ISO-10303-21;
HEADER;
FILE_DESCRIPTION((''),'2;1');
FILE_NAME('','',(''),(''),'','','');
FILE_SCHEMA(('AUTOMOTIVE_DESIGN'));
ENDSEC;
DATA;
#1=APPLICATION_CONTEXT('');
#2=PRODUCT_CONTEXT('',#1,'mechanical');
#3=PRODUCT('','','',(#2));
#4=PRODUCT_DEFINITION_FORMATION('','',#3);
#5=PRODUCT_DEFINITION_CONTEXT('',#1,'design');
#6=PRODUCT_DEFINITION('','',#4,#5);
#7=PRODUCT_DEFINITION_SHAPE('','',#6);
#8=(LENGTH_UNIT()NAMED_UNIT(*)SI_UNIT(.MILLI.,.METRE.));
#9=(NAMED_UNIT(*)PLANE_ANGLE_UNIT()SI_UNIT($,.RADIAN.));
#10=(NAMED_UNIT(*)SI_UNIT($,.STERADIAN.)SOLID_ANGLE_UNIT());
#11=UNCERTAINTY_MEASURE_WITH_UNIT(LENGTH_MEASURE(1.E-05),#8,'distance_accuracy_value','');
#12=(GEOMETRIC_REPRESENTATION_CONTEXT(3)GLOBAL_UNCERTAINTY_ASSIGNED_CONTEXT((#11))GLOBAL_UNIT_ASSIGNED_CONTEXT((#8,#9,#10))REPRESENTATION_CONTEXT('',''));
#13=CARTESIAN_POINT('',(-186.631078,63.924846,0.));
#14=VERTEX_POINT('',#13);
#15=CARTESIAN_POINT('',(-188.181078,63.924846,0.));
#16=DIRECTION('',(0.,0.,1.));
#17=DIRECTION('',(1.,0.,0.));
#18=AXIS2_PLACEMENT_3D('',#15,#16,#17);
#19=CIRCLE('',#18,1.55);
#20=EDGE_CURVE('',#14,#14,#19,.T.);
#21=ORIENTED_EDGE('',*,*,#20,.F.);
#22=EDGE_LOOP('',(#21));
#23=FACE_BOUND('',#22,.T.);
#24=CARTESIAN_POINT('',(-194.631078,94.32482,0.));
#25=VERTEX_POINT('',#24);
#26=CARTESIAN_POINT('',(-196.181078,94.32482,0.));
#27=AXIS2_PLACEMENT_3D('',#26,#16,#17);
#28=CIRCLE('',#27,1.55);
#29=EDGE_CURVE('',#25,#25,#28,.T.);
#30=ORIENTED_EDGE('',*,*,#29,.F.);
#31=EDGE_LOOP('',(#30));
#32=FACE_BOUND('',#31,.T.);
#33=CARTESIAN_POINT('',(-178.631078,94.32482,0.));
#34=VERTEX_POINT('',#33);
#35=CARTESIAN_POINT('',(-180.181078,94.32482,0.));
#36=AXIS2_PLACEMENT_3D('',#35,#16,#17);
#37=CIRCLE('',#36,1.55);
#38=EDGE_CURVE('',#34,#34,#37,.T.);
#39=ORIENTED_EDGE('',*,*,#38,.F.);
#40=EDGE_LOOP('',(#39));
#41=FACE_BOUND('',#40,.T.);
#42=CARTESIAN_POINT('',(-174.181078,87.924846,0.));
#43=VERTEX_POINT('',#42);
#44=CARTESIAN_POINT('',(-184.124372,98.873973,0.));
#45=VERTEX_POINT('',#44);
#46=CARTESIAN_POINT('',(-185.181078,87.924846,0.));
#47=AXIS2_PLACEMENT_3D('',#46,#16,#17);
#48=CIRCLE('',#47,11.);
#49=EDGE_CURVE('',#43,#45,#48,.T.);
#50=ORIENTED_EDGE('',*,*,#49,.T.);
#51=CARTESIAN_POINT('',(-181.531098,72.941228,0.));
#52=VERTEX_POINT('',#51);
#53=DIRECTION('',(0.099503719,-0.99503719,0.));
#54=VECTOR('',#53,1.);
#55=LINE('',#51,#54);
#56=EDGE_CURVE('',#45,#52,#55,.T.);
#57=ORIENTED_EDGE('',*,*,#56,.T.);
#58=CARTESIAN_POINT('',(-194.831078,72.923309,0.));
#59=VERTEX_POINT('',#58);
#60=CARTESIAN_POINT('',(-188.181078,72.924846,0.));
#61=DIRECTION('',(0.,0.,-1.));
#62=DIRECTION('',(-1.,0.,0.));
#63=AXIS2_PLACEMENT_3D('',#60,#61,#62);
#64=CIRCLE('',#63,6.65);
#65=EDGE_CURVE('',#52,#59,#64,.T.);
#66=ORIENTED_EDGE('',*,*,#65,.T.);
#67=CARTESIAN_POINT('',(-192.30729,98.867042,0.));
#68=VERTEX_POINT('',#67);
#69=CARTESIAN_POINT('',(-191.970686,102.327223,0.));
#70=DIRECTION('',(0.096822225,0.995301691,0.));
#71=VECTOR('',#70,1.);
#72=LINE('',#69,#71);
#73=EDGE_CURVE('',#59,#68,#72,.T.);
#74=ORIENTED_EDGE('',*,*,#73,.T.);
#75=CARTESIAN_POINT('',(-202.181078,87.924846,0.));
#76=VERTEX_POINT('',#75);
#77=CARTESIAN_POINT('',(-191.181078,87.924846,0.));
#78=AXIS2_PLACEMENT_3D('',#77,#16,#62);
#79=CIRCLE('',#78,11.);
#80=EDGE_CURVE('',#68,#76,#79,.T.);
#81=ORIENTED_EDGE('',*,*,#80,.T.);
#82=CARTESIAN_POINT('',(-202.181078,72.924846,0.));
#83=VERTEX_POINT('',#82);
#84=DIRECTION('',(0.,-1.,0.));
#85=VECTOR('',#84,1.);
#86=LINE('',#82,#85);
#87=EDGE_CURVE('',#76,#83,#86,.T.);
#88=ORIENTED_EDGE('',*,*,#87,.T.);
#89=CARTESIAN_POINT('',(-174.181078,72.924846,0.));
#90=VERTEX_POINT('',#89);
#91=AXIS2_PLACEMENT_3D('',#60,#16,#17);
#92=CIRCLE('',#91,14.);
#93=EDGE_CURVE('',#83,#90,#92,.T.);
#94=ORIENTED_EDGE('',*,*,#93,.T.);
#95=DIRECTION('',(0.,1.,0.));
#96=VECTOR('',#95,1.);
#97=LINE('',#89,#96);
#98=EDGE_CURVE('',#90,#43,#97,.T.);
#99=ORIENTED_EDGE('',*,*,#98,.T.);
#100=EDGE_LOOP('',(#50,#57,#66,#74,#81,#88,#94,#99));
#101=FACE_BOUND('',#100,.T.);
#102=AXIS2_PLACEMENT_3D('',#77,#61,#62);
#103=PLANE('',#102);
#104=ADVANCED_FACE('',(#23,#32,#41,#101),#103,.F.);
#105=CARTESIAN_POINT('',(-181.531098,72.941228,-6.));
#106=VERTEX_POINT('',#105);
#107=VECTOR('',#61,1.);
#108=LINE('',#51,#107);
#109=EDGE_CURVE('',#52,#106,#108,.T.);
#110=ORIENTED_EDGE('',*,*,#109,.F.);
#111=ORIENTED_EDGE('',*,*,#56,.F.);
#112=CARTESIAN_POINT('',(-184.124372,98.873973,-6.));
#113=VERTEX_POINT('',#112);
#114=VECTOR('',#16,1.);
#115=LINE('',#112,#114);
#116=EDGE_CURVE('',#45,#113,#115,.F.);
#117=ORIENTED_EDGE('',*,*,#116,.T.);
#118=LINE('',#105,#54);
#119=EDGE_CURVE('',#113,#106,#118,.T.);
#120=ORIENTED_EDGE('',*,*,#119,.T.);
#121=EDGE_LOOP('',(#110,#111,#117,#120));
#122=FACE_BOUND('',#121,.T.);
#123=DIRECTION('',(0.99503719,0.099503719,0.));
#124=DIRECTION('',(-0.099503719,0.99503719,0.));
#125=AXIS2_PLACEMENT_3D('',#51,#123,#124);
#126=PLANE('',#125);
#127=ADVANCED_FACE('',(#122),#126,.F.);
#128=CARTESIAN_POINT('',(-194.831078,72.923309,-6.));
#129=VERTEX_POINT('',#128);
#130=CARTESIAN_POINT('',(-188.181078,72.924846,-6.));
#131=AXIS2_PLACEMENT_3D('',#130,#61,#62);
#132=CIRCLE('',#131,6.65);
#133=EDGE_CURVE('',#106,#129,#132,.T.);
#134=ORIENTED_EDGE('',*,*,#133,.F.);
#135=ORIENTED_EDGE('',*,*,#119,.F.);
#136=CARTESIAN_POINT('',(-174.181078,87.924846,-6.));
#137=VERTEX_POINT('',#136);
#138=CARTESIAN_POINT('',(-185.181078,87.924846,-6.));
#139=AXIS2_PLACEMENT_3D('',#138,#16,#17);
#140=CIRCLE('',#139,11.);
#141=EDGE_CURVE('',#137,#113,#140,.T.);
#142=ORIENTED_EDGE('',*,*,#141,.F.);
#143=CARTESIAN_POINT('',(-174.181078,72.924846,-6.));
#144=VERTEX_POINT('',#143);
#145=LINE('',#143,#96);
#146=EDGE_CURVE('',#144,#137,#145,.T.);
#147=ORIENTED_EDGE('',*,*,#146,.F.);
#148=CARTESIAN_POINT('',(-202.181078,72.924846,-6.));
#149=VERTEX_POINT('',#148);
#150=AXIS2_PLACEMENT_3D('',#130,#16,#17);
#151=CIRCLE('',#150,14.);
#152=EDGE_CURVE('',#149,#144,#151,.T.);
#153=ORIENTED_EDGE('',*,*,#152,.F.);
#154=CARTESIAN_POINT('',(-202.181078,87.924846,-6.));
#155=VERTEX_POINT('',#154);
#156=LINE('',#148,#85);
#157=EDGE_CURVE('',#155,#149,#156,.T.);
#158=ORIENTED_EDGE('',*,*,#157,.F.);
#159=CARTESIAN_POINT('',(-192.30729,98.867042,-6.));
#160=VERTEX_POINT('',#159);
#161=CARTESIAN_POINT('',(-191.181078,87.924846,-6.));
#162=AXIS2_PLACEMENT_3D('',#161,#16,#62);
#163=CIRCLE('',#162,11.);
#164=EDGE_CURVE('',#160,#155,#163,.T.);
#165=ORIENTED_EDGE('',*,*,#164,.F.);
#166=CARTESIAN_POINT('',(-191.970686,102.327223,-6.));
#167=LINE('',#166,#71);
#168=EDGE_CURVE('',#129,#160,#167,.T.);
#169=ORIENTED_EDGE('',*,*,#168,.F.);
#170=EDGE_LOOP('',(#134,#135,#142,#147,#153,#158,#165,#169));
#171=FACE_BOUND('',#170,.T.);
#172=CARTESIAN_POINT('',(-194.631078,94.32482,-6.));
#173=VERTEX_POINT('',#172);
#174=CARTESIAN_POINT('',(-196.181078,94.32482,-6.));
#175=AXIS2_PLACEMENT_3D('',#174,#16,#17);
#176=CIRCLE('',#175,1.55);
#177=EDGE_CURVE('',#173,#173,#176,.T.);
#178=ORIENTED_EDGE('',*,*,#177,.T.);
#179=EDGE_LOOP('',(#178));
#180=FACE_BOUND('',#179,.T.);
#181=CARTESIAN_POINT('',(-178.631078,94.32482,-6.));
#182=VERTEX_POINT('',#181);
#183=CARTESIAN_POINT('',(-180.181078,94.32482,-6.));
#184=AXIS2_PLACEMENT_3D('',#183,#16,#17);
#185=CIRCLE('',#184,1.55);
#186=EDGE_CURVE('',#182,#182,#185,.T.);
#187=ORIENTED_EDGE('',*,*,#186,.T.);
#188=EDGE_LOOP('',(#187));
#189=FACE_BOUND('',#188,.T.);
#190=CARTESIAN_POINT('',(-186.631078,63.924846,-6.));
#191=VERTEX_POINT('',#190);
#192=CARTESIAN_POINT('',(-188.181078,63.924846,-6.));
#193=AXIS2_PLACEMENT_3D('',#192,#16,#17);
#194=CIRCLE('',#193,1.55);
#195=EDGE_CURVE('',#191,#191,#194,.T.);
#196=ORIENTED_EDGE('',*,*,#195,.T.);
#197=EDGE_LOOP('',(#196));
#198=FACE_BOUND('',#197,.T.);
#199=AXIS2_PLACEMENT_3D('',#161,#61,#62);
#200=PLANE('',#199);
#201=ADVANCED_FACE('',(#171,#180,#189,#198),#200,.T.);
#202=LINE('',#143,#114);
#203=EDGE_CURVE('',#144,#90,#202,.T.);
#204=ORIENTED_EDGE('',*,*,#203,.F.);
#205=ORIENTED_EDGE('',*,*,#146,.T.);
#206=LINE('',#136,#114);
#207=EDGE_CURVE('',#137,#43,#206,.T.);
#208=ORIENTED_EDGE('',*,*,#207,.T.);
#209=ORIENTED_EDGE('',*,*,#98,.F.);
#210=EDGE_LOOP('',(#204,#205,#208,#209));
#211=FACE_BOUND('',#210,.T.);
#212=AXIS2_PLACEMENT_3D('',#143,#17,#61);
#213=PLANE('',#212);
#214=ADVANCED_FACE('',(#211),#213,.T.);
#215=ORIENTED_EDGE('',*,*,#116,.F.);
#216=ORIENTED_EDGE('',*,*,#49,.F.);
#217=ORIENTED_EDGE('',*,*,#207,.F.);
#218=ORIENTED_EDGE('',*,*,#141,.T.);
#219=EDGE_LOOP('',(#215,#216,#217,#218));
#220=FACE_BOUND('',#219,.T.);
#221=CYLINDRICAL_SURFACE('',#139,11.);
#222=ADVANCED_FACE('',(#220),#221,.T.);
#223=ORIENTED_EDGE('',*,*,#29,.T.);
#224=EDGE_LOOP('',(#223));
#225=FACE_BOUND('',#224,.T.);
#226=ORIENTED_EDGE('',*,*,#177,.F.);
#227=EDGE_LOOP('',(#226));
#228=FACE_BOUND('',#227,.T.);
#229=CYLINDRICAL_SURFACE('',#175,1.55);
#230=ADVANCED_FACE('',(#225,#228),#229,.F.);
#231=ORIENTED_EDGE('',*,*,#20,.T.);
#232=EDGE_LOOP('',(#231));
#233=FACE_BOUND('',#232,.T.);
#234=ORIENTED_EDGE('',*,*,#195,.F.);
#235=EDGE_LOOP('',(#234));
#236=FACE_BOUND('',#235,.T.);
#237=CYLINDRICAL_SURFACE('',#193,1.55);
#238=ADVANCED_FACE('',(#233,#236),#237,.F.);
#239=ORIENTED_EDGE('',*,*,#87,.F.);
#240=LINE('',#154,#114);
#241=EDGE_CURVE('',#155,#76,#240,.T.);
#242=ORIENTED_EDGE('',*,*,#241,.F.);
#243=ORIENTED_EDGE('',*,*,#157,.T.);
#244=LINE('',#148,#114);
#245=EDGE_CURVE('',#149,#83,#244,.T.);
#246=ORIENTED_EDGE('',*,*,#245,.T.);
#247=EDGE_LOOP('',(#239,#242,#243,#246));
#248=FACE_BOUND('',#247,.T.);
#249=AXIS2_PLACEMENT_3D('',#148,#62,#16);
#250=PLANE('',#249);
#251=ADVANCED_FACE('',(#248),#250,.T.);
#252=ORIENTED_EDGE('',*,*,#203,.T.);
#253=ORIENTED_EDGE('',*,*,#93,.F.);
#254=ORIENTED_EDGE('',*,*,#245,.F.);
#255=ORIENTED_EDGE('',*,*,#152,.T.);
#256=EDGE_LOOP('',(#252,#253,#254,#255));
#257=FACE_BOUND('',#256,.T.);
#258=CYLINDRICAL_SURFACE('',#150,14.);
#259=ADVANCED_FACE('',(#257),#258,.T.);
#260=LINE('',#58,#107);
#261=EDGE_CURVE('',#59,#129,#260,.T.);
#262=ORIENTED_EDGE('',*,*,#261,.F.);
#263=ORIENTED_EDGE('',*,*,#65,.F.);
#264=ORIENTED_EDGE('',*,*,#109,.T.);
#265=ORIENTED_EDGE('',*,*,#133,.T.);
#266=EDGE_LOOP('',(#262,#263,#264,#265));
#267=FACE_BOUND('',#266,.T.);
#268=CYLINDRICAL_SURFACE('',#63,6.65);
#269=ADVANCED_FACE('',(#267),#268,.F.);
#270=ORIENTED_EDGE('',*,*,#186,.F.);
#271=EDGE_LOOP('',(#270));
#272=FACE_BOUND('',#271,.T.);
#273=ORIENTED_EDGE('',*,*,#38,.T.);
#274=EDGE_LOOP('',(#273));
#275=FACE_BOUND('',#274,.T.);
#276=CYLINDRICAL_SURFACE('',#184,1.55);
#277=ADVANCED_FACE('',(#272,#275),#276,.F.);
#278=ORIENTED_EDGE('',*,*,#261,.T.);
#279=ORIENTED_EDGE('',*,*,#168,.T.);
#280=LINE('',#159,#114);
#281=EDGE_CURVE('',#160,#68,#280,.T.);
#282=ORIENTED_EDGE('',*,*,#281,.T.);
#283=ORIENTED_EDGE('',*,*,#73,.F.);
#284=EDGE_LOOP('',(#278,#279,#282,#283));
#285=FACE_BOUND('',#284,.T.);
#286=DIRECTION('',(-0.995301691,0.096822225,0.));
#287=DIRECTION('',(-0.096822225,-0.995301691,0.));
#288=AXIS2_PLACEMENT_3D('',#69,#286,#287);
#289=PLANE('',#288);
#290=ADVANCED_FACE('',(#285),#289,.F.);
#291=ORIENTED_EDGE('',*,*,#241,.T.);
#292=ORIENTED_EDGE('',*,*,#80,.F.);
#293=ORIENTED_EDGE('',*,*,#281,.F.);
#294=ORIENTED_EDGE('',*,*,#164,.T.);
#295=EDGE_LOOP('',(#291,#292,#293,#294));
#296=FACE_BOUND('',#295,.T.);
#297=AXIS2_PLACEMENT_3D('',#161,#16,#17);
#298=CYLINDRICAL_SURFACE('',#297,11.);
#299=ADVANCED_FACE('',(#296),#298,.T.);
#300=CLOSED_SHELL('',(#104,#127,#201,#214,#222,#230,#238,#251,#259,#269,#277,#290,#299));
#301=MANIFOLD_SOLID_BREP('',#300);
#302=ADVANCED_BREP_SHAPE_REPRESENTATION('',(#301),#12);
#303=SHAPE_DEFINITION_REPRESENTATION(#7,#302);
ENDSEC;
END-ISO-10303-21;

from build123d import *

# Parameters (mm, degrees)
DODANIE_WYCI_GNI_CIE1_DEPTH = 6
SZKIC3_R                    = 1.55
WYTNIJ_WYCI_GNI_CIE2_DEPTH  = 6
SZKIC4_R                    = 1.55
WYTNIJ_WYCI_GNI_CIE3_DEPTH  = 6
WYTNIJ_WYCI_GNI_CIE4_DEPTH  = 6


with BuildPart() as part:
    # Szkic1 → Dodanie-wyciągnięcie1 (new body)
    with BuildSketch(Plane.XY):
        with BuildLine():
            Line((-174.181077779, 72.924846477), (-174.181077779, 87.924846477))
            ThreePointArc((-174.181077779, 87.924846477), (-177.402903186, 95.70302107), (-185.181077779, 98.924846477))
            Line((-185.181077779, 98.924846477), (-191.181077779, 98.924846477))
            ThreePointArc((-191.181077779, 98.924846477), (-198.959252372, 95.70302107), (-202.181077779, 87.924846477))
            Line((-202.181077779, 87.924846477), (-202.181077779, 72.924846477))
            ThreePointArc((-202.181077779, 72.924846477), (-188.181077779, 58.924846477), (-174.181077779, 72.924846477))
        make_face()
    extrude(amount=-DODANIE_WYCI_GNI_CIE1_DEPTH)

    # Szkic3 → Wytnij-wyciągnięcie2 (cut)
    with BuildSketch(Plane.XY):
        with Locations((-196.181077779, 94.324819795)):
            Circle(SZKIC3_R)
        with Locations((-180.181077779, 94.324819795)):
            Circle(SZKIC3_R)
        with Locations((-188.181077779, 63.924846477)):
            Circle(SZKIC3_R)
    extrude(amount=-WYTNIJ_WYCI_GNI_CIE2_DEPTH, mode=Mode.SUBTRACT)

    # Szkic4 → Wytnij-wyciągnięcie3 (cut)
    with BuildSketch(Plane.XY):
        with Locations((-188.181077779, 72.924846477)):
            Circle(SZKIC4_R)
    extrude(amount=-WYTNIJ_WYCI_GNI_CIE3_DEPTH, mode=Mode.SUBTRACT)

    # Szkic7 → Wytnij-wyciągnięcie4 (cut)
    with BuildSketch(Plane(origin=(0, 0, -6), x_dir=(-1, 0, 0), z_dir=(0, 0, -1))):
        with BuildLine():
            Line((181.531097956, 72.941227743), (184.470707897, 102.337327159))
            ThreePointArc((184.470707897, 102.337327159), (188.225739241, 106.074816392), (191.97068627, 102.327222776))
            Line((191.97068627, 102.327222776), (194.831077602, 72.923309279))
            ThreePointArc((194.831077602, 72.923309279), (188.172118542, 66.274852512), (181.531097956, 72.941227743))
        make_face()
    extrude(amount=-WYTNIJ_WYCI_GNI_CIE4_DEPTH, mode=Mode.SUBTRACT)


solid = part.part
